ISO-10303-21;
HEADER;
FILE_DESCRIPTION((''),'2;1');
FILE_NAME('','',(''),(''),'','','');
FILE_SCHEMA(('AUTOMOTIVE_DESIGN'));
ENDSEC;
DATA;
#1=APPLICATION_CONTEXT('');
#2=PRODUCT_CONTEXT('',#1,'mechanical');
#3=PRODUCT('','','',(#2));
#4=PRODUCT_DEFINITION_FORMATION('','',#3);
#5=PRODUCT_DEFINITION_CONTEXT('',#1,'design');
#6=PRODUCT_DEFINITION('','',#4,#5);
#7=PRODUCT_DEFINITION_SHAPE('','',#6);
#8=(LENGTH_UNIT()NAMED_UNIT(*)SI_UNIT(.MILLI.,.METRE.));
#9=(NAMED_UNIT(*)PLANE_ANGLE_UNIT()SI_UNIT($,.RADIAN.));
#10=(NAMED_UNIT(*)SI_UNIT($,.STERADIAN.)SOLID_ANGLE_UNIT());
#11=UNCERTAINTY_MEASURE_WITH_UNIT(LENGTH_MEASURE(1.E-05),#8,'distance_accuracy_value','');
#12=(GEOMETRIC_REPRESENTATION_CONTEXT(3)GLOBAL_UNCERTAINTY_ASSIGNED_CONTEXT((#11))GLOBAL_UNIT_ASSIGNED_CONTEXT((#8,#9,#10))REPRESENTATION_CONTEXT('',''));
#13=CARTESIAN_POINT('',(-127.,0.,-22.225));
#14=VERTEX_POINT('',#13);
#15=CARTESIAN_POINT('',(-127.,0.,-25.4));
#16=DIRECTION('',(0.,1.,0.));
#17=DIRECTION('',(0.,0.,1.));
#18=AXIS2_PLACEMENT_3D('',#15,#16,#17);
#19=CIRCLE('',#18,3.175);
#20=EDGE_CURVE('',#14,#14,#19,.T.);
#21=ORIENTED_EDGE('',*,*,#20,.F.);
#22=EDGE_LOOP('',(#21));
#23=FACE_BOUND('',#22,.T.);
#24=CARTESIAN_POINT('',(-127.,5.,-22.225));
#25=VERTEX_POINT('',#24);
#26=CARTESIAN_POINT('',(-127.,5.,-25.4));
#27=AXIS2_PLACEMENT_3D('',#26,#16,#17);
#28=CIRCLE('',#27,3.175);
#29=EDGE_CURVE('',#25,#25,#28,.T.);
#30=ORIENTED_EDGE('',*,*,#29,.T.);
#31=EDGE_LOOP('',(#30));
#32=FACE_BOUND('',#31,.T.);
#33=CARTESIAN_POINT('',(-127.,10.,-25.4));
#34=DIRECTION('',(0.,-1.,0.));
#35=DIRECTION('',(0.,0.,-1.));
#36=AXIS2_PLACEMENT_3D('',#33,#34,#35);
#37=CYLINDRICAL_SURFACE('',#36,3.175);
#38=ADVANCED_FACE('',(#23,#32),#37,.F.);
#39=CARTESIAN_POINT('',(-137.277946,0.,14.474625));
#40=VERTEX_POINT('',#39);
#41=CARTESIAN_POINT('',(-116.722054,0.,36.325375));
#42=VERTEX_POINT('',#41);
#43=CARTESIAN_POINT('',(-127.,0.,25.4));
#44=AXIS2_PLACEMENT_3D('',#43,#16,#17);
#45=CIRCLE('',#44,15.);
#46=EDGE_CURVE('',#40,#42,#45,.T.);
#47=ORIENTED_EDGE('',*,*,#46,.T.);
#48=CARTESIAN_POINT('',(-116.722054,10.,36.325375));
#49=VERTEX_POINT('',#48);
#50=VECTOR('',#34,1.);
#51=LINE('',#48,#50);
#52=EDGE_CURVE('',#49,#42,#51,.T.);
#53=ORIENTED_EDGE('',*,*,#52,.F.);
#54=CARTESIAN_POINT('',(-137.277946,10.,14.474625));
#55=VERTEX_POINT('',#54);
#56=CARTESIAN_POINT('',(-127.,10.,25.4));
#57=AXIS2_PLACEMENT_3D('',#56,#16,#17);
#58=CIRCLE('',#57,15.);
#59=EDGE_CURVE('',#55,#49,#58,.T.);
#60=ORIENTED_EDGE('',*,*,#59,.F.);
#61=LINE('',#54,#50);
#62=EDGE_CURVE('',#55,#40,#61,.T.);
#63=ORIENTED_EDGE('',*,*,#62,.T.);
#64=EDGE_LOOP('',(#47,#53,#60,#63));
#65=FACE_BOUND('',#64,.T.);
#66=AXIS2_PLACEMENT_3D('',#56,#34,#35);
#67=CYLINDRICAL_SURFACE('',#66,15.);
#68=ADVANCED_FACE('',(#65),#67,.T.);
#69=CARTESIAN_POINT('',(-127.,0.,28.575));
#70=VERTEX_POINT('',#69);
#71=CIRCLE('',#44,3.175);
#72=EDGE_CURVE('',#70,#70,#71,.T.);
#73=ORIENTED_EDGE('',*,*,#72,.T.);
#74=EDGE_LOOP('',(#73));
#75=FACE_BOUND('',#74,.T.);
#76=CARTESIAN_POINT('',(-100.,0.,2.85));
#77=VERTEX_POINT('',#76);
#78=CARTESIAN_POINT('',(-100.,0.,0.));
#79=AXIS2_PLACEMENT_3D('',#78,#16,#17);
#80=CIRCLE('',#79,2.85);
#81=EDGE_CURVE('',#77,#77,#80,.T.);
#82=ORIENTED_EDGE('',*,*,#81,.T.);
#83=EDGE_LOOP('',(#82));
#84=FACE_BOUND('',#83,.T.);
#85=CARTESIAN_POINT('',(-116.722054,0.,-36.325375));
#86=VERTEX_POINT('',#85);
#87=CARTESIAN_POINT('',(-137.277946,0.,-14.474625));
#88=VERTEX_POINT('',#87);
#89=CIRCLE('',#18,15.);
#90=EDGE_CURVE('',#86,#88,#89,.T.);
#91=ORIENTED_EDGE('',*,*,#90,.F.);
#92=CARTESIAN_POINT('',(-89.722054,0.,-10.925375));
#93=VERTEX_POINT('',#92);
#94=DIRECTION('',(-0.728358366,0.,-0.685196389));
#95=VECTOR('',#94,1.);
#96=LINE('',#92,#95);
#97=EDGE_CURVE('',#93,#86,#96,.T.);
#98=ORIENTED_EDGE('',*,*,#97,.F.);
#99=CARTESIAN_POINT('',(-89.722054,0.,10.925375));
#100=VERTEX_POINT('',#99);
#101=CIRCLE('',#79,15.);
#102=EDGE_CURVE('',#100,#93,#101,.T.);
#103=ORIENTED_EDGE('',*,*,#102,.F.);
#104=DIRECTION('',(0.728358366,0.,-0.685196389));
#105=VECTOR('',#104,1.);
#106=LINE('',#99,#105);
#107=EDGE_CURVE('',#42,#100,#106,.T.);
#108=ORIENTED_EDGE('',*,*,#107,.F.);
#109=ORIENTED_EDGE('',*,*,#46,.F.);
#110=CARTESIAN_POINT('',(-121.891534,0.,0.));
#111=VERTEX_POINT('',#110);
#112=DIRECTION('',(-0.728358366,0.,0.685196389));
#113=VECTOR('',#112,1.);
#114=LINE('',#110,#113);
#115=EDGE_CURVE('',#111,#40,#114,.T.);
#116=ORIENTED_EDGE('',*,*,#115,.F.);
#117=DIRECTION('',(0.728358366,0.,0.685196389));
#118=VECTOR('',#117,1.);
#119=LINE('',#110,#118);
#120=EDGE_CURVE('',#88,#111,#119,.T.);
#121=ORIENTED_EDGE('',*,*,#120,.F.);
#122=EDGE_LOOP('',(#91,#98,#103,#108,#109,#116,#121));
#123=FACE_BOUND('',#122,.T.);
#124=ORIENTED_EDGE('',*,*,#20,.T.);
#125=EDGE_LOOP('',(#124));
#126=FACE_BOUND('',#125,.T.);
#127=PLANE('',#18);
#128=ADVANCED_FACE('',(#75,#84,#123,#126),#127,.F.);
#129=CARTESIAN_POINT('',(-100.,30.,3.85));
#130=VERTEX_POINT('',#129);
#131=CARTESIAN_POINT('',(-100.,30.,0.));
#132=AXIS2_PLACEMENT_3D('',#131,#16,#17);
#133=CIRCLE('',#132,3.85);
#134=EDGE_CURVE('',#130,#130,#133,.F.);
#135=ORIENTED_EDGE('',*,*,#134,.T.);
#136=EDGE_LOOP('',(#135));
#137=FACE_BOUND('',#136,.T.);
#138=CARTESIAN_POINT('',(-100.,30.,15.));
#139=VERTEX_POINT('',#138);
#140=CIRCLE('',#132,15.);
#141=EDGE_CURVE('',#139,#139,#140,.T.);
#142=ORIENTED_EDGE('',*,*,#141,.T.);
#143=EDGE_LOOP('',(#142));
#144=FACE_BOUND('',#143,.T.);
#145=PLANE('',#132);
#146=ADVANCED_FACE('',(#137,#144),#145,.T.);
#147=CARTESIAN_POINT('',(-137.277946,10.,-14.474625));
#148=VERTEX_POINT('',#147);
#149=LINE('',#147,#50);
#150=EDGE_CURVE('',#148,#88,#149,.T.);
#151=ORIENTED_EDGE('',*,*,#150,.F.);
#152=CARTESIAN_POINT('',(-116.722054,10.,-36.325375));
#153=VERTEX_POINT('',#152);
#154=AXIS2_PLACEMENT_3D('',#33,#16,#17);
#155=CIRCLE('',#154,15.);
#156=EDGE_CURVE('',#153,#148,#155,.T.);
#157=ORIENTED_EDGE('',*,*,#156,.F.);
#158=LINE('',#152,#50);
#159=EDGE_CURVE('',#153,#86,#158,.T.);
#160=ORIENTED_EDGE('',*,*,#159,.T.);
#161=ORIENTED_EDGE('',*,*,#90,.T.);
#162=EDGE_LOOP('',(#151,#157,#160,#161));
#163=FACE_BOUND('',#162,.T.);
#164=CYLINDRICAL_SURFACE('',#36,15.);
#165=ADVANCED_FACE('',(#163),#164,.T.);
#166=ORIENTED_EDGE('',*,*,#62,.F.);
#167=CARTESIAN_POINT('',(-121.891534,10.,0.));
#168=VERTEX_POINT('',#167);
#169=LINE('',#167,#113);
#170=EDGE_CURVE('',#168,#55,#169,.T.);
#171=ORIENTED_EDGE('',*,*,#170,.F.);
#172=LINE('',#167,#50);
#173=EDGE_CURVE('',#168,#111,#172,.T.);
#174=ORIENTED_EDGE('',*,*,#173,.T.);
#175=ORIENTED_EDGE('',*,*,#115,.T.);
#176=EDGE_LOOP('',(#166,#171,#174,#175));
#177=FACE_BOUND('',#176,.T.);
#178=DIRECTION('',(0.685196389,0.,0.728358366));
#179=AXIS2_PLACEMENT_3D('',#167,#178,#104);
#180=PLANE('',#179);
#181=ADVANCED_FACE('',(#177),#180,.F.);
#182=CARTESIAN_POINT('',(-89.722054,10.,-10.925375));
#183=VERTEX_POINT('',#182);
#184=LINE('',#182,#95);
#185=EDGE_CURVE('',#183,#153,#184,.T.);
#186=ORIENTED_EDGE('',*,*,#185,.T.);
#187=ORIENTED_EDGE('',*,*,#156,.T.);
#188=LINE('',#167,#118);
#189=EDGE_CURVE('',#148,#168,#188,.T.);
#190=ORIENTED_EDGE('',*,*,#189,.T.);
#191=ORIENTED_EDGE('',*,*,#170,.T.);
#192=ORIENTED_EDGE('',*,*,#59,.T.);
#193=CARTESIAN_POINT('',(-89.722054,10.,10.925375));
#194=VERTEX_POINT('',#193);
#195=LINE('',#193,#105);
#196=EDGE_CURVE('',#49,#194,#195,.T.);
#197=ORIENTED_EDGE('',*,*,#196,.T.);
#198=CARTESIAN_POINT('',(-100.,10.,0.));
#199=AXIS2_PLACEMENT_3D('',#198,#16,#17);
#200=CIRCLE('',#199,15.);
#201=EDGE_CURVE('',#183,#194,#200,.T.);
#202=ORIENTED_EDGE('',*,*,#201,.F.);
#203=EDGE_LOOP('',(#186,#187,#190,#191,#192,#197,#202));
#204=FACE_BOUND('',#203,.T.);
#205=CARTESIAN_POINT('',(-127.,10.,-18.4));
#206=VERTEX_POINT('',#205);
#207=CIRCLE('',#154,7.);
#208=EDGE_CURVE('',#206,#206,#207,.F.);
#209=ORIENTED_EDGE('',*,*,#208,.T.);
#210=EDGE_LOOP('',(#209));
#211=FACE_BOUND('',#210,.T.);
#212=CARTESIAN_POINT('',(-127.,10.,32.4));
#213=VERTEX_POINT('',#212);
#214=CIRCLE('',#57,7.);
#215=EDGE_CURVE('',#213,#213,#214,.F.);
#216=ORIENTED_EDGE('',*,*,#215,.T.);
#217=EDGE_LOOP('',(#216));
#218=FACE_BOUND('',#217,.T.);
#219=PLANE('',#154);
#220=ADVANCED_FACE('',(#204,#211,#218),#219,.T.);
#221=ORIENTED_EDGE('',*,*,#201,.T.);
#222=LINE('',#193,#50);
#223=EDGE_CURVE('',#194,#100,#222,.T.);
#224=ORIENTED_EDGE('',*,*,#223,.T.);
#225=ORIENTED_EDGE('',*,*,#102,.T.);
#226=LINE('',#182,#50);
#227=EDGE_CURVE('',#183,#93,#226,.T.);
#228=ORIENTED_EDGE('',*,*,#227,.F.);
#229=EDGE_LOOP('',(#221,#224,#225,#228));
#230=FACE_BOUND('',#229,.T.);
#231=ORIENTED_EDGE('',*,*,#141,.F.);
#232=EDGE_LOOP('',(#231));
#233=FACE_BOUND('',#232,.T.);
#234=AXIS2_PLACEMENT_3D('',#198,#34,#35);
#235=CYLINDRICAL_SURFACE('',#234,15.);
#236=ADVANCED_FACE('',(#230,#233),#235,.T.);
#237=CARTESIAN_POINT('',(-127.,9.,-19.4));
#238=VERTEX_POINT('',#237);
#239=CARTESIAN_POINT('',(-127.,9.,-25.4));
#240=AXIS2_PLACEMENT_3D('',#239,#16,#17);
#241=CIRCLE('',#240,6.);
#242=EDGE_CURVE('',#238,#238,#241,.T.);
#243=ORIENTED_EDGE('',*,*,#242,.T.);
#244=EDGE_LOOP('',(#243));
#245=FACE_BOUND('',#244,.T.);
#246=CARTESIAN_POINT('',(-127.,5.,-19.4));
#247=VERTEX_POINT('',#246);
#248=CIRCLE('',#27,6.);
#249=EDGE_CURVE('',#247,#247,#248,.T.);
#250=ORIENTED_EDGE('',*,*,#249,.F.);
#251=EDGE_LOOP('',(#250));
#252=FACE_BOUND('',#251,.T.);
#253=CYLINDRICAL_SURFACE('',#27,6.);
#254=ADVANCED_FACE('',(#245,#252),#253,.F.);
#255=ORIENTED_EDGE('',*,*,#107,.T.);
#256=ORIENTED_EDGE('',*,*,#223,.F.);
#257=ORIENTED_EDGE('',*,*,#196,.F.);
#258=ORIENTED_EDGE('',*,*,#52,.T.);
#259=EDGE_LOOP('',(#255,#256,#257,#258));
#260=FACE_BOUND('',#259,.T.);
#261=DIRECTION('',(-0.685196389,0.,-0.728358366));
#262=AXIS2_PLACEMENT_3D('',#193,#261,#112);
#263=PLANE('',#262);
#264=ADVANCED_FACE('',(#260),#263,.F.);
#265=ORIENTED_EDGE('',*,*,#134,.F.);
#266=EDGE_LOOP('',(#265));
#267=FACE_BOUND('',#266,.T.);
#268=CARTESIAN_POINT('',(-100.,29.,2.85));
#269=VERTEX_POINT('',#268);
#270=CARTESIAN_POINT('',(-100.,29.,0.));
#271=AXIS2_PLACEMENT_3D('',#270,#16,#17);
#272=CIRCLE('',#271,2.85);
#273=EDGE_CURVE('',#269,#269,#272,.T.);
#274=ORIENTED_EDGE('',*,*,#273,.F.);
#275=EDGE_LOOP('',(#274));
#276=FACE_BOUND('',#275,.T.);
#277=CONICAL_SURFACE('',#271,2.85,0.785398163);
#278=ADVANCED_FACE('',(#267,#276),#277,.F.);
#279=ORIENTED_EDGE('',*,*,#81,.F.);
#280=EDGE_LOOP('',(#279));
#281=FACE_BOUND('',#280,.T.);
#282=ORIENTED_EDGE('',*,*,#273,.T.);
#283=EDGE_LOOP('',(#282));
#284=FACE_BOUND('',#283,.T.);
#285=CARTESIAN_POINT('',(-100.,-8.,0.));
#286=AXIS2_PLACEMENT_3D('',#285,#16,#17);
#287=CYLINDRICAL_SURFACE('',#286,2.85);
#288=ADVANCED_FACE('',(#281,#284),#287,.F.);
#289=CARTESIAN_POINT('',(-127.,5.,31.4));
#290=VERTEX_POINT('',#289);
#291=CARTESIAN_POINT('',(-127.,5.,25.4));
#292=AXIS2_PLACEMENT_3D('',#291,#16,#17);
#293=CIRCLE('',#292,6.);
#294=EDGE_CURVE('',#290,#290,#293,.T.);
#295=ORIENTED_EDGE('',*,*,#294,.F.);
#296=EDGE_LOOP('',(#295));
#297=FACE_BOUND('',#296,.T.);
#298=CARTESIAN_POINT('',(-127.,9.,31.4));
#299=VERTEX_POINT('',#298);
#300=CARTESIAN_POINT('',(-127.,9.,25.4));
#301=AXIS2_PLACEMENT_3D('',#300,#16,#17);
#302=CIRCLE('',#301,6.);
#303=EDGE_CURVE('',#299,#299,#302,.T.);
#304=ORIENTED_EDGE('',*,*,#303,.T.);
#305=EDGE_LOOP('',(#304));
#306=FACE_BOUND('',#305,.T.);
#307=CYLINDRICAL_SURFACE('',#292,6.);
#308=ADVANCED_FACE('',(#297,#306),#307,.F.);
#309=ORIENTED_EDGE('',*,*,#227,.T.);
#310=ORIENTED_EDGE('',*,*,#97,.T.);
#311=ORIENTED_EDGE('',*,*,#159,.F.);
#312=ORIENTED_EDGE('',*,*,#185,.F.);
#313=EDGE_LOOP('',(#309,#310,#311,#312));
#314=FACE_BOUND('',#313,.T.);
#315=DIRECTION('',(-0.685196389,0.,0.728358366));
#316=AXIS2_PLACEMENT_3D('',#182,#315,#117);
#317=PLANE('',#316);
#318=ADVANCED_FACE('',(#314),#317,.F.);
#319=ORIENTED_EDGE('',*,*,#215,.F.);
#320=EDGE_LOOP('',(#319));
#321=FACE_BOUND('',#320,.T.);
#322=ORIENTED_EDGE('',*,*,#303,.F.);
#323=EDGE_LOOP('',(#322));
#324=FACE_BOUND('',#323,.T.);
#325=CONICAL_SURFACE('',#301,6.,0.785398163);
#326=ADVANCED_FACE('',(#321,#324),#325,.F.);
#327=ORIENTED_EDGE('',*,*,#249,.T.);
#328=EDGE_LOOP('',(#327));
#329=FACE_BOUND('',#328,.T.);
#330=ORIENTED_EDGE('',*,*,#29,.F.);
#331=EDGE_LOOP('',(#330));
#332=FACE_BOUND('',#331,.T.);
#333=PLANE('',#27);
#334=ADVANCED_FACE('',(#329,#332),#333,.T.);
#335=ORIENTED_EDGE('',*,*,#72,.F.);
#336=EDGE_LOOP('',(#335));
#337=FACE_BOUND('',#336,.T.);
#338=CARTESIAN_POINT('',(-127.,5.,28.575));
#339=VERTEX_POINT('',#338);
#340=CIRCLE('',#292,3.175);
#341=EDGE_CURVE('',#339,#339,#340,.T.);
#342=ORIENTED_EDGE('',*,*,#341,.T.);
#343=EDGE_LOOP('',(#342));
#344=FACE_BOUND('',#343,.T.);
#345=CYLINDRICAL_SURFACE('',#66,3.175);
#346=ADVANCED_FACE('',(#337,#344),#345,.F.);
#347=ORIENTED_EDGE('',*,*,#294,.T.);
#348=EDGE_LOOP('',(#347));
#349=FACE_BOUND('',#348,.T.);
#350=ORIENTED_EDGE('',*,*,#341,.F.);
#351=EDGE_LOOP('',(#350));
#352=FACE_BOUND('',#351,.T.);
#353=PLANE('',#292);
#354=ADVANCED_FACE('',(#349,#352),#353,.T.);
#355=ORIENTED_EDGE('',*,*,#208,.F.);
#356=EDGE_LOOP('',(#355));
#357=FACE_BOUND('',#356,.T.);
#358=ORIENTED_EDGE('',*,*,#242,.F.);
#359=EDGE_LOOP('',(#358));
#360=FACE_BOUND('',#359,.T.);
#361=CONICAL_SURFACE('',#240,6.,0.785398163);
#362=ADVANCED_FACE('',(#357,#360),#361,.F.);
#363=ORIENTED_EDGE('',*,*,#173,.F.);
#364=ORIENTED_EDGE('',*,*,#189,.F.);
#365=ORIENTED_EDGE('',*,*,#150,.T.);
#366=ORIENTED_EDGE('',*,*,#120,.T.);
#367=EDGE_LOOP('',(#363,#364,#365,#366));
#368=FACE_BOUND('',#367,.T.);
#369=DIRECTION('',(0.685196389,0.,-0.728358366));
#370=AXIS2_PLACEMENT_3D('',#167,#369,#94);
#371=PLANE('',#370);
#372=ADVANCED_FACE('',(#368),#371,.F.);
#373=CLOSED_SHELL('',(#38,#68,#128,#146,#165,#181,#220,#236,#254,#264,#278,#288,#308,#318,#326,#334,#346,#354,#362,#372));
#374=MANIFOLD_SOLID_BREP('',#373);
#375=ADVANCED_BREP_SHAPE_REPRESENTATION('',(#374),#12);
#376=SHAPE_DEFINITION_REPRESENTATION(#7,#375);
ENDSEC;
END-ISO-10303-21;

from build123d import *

# Parameters (mm, degrees)
SKETCH4_R           = 3.175
BOSS_EXTRUDE1_DEPTH = 10
SKETCH5_R           = 15
BOSS_EXTRUDE2_DEPTH = 20
SKETCH6_R           = 2.85
CUT_EXTRUDE1_DEPTH  = 38
SKETCH7_R           = 6
CUT_EXTRUDE2_DEPTH  = 5
SKETCH8_R           = 6
CUT_EXTRUDE3_DEPTH  = 5
CHAMFER1_SIZE       = 1


with BuildPart() as part:
    # Sketch4 → Boss-Extrude1 (new body)
    with BuildSketch(Plane(origin=(0, 0, 0), x_dir=(1, 0, 0), z_dir=(0, 1, 0))):
        with BuildLine():
            Line((-89.722054171, 10.925375487), (-116.722054171, 36.325375487))
            ThreePointArc((-116.722054171, 36.325375487), (-137.925375487, 35.677945829), (-137.277945829, 14.474624513))
            Line((-137.277945829, 14.474624513), (-121.891533945, 0))
            Line((-121.891533945, 0), (-137.277945829, -14.474624513))
            ThreePointArc((-137.277945829, -14.474624513), (-137.925375487, -35.677945829), (-116.722054171, -36.325375487))
            Line((-116.722054171, -36.325375487), (-89.722054171, -10.925375487))
            ThreePointArc((-89.722054171, -10.925375487), (-85, 0), (-89.722054171, 10.925375487))
        make_face()
        with Locations((-127, 25.4)):
            Circle(SKETCH4_R, mode=Mode.SUBTRACT)
        with Locations((-127, -25.4)):
            Circle(SKETCH4_R, mode=Mode.SUBTRACT)
    extrude(amount=BOSS_EXTRUDE1_DEPTH)

    # Sketch5 → Boss-Extrude2 (add)
    with BuildSketch(Plane(origin=(0, 10, 0), x_dir=(1, 0, 0), z_dir=(0, 1, 0))):
        with Locations((-100, 0)):
            Circle(SKETCH5_R)
    extrude(amount=BOSS_EXTRUDE2_DEPTH)

    # Sketch6 → Cut-Extrude1 (cut)
    with BuildSketch(Plane(origin=(0, 30, 0), x_dir=(1, 0, 0), z_dir=(0, 1, 0))):
        with Locations((-100, 0)):
            Circle(SKETCH6_R)
    extrude(amount=-CUT_EXTRUDE1_DEPTH, mode=Mode.SUBTRACT)

    # Sketch7 → Cut-Extrude2 (cut)
    with BuildSketch(Plane(origin=(0, 10, 0), x_dir=(1, 0, 0), z_dir=(0, 1, 0))):
        with Locations((-127, -25.4)):
            Circle(SKETCH7_R)
    extrude(amount=-CUT_EXTRUDE2_DEPTH, mode=Mode.SUBTRACT)

    # Sketch8 → Cut-Extrude3 (cut)
    with BuildSketch(Plane(origin=(0, 10, 0), x_dir=(1, 0, 0), z_dir=(0, 1, 0))):
        with Locations((-127, 25.4)):
            Circle(SKETCH8_R)
    extrude(amount=-CUT_EXTRUDE3_DEPTH, mode=Mode.SUBTRACT)

    # Chamfer1
    chamfer1_edges = [part.edges().sort_by_distance(p)[0] for p in [
        (-102.85, 30, 0),
        (-133, 10, 25.4),
        (-133, 10, -25.4),
    ]]
    chamfer(chamfer1_edges, length=CHAMFER1_SIZE)


solid = part.part
